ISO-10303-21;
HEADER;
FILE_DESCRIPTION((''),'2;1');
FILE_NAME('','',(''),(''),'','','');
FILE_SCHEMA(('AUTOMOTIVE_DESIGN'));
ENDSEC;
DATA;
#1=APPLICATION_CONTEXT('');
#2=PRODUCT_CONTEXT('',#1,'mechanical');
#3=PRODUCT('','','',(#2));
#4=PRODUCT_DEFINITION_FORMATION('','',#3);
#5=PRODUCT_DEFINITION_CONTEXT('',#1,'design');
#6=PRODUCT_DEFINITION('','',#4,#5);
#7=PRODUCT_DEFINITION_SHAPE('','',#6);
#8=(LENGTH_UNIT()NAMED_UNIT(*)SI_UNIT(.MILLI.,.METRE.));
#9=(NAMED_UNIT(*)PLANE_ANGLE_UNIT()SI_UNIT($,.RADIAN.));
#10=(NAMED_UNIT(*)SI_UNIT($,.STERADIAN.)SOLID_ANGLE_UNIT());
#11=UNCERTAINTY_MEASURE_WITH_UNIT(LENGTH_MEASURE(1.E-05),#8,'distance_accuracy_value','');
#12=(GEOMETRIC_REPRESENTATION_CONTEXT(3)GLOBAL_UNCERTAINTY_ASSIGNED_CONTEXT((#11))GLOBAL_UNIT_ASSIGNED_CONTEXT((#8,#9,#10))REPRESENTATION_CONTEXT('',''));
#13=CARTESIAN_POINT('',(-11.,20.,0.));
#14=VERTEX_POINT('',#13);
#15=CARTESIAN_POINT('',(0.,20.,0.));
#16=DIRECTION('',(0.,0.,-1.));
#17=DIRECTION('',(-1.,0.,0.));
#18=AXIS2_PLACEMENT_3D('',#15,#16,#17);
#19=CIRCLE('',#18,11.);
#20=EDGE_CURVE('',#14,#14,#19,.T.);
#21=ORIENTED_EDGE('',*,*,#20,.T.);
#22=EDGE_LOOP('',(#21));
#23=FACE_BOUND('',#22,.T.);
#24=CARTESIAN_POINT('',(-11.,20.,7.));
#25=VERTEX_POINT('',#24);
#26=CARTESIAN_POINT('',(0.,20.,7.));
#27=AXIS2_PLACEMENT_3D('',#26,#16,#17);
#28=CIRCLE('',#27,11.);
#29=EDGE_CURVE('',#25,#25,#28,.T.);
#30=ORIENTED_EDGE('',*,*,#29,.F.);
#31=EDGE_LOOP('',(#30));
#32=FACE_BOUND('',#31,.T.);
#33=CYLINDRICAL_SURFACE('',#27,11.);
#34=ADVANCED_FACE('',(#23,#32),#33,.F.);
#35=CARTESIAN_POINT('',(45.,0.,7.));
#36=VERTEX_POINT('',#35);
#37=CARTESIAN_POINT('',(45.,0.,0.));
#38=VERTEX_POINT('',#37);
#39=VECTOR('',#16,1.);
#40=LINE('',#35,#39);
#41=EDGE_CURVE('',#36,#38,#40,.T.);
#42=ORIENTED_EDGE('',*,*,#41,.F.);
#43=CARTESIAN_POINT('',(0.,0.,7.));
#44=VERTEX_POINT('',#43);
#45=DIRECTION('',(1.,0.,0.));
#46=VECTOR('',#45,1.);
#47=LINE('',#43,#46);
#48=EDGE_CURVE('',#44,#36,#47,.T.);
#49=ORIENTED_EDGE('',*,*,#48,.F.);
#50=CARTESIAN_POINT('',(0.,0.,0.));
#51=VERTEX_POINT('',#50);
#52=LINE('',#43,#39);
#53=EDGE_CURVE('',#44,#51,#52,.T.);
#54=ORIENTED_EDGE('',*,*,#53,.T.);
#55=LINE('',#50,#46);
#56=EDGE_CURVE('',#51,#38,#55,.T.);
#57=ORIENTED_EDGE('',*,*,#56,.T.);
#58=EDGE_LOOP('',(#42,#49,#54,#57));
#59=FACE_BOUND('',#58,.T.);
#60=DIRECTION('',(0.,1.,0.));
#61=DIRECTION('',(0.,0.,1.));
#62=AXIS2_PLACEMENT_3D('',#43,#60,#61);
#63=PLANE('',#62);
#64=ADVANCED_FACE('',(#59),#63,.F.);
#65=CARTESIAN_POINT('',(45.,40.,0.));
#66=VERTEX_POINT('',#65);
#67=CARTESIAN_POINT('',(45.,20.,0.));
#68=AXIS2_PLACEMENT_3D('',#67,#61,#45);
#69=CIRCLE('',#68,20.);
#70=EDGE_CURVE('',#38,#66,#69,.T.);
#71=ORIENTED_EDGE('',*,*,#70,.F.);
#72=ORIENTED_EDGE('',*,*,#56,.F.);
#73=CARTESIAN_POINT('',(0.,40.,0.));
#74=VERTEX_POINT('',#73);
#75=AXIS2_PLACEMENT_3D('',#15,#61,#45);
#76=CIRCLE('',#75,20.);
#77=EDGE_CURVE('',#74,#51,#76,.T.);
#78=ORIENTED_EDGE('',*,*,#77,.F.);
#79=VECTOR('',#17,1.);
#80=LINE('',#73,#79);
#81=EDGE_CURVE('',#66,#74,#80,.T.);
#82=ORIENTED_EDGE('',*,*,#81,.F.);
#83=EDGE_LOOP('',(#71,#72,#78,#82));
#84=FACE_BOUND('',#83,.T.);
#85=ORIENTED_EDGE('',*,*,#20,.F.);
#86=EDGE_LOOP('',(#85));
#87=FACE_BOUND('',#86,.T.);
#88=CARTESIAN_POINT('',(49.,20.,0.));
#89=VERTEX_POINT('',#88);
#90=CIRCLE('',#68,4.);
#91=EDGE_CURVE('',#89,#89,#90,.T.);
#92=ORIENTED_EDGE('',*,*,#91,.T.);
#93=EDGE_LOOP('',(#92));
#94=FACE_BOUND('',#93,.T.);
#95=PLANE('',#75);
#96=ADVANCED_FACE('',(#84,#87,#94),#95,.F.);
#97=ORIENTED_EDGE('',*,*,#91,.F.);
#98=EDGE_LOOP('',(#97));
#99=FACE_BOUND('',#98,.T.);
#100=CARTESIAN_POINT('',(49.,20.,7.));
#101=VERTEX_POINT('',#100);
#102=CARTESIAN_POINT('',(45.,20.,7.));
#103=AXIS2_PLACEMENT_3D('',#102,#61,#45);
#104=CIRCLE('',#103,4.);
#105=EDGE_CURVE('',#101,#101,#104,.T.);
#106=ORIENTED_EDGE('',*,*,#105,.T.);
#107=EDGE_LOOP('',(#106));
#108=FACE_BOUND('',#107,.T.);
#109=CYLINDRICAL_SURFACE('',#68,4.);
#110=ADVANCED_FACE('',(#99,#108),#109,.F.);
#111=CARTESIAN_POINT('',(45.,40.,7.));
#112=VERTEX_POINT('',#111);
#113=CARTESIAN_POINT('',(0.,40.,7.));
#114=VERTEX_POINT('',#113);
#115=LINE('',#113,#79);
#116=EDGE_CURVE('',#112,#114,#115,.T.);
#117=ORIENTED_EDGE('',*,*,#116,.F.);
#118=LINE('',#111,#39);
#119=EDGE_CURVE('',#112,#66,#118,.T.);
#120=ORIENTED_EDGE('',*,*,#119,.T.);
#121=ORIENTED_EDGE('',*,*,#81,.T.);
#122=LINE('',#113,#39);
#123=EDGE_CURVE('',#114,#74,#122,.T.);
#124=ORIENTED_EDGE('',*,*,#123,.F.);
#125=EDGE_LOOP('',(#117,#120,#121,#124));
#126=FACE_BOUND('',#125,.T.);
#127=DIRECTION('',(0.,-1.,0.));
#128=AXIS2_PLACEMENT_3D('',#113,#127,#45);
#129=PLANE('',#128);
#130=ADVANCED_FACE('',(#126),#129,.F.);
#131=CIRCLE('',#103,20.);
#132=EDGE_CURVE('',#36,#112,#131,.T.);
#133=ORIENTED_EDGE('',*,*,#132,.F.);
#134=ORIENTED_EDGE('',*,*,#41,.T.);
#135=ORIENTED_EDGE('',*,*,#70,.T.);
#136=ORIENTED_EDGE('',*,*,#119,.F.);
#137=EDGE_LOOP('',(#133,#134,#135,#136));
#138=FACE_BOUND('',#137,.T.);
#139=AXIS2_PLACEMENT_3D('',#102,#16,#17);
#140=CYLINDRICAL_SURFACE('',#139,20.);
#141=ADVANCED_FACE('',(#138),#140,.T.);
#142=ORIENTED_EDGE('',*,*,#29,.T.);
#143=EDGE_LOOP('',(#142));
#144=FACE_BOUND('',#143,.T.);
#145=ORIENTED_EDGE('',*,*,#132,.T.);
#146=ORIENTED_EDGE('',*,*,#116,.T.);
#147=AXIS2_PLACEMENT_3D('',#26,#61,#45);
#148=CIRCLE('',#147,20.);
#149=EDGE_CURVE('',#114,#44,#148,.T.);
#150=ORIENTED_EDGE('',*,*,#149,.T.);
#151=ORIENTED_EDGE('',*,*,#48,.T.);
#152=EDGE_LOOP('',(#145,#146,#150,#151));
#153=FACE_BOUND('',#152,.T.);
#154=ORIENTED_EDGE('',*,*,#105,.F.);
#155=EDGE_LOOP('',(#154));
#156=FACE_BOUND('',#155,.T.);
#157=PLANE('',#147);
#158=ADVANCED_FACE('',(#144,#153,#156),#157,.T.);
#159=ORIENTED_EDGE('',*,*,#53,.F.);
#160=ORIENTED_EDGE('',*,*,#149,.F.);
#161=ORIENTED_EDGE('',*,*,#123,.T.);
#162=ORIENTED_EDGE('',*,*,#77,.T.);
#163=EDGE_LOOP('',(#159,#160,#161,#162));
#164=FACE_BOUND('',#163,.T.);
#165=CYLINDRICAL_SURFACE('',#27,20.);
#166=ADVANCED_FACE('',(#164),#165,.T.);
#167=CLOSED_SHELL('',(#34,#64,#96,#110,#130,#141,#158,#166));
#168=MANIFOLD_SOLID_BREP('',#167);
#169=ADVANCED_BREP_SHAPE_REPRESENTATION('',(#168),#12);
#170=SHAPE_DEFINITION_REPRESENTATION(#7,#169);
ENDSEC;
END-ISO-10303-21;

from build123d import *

# Parameters (mm, degrees)
BOSS_EXTRUDE1_DEPTH = 7
SKETCH4_R           = 11
CUT_EXTRUDE1_DEPTH  = 8
SKETCH7_R           = 4
CUT_EXTRUDE2_DEPTH  = 8


with BuildPart() as part:
    # Sketch2 → Boss-Extrude1 (new body)
    with BuildSketch(Plane.XY):
        with BuildLine():
            Line((0, 0), (45, 0))
            ThreePointArc((45, 0), (65, 20), (45, 40))
            Line((45, 40), (0, 40))
            ThreePointArc((0, 40), (-20, 20), (0, 0))
        make_face()
    extrude(amount=BOSS_EXTRUDE1_DEPTH)

    # Sketch4 → Cut-Extrude1 (cut, through all)
    with BuildSketch(Plane(origin=(0, 0, 0), x_dir=(-1, 0, 0), z_dir=(0, 0, -1))):
        with Locations((0, 20)):
            Circle(SKETCH4_R)
    extrude(amount=-CUT_EXTRUDE1_DEPTH, mode=Mode.SUBTRACT)

    # Sketch7 → Cut-Extrude2 (cut, through all)
    with BuildSketch(Plane.XY.offset(7)):
        with Locations((45, 20)):
            Circle(SKETCH7_R)
    extrude(amount=-CUT_EXTRUDE2_DEPTH, mode=Mode.SUBTRACT)


solid = part.part
